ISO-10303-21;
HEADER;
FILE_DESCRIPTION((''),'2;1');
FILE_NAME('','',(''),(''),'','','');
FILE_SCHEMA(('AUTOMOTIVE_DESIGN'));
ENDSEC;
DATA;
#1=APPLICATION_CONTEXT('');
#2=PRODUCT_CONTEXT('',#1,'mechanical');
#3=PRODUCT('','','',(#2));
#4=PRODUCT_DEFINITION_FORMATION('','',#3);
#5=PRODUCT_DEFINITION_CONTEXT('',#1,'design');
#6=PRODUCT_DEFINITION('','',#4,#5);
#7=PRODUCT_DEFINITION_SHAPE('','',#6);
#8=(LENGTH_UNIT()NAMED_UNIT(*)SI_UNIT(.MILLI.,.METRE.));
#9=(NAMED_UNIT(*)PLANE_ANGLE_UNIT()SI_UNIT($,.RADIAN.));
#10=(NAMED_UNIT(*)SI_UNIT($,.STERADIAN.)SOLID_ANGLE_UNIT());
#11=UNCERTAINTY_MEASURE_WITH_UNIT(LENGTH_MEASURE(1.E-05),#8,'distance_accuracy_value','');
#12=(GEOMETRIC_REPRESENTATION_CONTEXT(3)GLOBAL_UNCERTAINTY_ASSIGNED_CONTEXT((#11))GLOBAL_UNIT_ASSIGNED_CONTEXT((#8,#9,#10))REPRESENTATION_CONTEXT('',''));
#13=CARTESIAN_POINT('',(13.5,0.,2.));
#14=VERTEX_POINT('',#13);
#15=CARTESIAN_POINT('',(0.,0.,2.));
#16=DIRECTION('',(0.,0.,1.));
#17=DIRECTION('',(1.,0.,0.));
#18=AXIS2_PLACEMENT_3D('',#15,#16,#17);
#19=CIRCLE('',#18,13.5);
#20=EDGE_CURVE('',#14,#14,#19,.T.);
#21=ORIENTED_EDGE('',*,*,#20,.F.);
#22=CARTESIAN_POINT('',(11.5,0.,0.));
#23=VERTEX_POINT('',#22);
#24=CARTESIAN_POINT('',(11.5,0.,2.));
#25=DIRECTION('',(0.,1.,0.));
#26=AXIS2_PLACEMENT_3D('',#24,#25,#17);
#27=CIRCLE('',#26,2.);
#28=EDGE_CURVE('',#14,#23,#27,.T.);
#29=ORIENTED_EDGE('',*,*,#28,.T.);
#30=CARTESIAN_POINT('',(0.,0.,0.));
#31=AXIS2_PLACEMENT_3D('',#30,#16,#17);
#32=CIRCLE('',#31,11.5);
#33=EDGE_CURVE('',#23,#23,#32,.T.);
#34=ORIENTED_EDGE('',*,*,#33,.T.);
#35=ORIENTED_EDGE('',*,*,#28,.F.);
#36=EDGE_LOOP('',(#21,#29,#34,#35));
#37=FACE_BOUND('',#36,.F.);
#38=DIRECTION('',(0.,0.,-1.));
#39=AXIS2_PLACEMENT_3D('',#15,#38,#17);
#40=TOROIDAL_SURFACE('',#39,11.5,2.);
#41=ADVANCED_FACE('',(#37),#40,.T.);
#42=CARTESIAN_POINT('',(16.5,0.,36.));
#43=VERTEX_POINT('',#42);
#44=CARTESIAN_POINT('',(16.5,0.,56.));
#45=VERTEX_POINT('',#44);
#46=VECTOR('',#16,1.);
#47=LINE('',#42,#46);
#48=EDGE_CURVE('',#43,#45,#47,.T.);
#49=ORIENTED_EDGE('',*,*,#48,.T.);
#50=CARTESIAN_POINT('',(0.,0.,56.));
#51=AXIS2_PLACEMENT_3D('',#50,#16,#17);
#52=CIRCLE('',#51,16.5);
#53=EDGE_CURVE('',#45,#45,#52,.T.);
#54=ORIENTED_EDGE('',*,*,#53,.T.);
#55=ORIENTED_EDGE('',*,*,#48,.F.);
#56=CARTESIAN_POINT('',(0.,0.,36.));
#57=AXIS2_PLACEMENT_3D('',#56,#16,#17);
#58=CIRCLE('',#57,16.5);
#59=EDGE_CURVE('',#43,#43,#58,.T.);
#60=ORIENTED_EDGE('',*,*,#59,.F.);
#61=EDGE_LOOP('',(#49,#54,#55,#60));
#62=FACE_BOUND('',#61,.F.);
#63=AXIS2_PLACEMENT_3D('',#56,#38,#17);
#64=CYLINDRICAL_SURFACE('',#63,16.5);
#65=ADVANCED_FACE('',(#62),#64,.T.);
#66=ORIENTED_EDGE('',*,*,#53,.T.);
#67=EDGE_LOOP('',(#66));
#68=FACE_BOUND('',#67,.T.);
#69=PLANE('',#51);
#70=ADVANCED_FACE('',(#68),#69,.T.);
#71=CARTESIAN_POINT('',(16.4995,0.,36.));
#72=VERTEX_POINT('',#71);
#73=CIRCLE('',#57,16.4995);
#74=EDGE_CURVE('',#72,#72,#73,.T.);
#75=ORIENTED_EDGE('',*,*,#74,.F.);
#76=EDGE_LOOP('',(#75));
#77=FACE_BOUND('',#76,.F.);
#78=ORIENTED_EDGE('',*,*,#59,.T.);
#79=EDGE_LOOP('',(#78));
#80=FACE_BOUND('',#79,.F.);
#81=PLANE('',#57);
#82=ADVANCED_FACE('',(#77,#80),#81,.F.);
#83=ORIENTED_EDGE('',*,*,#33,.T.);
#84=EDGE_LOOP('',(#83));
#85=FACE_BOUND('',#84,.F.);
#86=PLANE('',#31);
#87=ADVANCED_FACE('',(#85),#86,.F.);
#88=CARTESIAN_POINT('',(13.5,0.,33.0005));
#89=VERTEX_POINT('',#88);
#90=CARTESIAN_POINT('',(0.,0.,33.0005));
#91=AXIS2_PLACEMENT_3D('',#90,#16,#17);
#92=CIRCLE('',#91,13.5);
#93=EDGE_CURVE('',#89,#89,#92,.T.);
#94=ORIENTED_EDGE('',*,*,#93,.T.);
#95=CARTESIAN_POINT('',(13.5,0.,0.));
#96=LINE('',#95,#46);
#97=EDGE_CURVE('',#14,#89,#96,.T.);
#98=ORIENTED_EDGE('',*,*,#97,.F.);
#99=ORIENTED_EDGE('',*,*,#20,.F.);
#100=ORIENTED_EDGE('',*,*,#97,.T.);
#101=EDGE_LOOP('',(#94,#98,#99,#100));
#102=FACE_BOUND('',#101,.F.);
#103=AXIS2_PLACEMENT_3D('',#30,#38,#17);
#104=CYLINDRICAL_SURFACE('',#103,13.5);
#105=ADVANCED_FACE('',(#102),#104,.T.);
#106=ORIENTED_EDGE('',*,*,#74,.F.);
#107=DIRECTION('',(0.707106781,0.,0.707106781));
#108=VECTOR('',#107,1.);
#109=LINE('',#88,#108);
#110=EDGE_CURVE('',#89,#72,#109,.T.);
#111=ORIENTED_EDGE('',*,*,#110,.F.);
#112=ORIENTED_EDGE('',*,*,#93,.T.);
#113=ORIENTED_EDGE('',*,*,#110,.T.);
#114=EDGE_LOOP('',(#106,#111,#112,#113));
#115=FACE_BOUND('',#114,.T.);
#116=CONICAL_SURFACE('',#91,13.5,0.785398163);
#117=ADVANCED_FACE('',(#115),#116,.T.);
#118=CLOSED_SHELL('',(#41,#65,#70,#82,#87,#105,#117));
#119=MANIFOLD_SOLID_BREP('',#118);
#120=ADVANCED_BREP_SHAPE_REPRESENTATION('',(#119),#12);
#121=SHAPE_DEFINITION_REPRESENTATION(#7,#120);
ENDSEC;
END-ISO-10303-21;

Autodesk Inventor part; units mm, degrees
ref_plane "YZ Plane" through (0, 0, 0) normal (1, 0, 0) x (0, 1, 0)
ref_plane "XZ Plane" through (0, 0, 0) normal (0, 1, 0) x (-1, 0, 0)
ref_plane "XY Plane" through (0, 0, 0) normal (0, 0, 1) x (1, 0, 0)
sketch "Sketch1" plane through (0, 0, 0) normal (0, 0, 1) x (1, 0, 0)
  circle A0 centre (0, 0) radius 13.5
  dimension "d0" = 27
extrude "Extrusion1" add sketch "Sketch1" along normal blind 36
sketch "Sketch2" plane through (0, 0, 36) normal (0, 0, 1) x (1, 0, 0)
  circle A0 centre (0, 0) radius 16.5
  dimension "d3" = 33
extrude "Extrusion2" add sketch "Sketch2" along normal blind 20
fillet "Fillet1" radius 2 1 edges at (-13.5, 0, 0)
chamfer "Chamfer1" distance 3 angle 45 1 edges at (-13.5, 0, 36)
properties part number "DispenserHead"
